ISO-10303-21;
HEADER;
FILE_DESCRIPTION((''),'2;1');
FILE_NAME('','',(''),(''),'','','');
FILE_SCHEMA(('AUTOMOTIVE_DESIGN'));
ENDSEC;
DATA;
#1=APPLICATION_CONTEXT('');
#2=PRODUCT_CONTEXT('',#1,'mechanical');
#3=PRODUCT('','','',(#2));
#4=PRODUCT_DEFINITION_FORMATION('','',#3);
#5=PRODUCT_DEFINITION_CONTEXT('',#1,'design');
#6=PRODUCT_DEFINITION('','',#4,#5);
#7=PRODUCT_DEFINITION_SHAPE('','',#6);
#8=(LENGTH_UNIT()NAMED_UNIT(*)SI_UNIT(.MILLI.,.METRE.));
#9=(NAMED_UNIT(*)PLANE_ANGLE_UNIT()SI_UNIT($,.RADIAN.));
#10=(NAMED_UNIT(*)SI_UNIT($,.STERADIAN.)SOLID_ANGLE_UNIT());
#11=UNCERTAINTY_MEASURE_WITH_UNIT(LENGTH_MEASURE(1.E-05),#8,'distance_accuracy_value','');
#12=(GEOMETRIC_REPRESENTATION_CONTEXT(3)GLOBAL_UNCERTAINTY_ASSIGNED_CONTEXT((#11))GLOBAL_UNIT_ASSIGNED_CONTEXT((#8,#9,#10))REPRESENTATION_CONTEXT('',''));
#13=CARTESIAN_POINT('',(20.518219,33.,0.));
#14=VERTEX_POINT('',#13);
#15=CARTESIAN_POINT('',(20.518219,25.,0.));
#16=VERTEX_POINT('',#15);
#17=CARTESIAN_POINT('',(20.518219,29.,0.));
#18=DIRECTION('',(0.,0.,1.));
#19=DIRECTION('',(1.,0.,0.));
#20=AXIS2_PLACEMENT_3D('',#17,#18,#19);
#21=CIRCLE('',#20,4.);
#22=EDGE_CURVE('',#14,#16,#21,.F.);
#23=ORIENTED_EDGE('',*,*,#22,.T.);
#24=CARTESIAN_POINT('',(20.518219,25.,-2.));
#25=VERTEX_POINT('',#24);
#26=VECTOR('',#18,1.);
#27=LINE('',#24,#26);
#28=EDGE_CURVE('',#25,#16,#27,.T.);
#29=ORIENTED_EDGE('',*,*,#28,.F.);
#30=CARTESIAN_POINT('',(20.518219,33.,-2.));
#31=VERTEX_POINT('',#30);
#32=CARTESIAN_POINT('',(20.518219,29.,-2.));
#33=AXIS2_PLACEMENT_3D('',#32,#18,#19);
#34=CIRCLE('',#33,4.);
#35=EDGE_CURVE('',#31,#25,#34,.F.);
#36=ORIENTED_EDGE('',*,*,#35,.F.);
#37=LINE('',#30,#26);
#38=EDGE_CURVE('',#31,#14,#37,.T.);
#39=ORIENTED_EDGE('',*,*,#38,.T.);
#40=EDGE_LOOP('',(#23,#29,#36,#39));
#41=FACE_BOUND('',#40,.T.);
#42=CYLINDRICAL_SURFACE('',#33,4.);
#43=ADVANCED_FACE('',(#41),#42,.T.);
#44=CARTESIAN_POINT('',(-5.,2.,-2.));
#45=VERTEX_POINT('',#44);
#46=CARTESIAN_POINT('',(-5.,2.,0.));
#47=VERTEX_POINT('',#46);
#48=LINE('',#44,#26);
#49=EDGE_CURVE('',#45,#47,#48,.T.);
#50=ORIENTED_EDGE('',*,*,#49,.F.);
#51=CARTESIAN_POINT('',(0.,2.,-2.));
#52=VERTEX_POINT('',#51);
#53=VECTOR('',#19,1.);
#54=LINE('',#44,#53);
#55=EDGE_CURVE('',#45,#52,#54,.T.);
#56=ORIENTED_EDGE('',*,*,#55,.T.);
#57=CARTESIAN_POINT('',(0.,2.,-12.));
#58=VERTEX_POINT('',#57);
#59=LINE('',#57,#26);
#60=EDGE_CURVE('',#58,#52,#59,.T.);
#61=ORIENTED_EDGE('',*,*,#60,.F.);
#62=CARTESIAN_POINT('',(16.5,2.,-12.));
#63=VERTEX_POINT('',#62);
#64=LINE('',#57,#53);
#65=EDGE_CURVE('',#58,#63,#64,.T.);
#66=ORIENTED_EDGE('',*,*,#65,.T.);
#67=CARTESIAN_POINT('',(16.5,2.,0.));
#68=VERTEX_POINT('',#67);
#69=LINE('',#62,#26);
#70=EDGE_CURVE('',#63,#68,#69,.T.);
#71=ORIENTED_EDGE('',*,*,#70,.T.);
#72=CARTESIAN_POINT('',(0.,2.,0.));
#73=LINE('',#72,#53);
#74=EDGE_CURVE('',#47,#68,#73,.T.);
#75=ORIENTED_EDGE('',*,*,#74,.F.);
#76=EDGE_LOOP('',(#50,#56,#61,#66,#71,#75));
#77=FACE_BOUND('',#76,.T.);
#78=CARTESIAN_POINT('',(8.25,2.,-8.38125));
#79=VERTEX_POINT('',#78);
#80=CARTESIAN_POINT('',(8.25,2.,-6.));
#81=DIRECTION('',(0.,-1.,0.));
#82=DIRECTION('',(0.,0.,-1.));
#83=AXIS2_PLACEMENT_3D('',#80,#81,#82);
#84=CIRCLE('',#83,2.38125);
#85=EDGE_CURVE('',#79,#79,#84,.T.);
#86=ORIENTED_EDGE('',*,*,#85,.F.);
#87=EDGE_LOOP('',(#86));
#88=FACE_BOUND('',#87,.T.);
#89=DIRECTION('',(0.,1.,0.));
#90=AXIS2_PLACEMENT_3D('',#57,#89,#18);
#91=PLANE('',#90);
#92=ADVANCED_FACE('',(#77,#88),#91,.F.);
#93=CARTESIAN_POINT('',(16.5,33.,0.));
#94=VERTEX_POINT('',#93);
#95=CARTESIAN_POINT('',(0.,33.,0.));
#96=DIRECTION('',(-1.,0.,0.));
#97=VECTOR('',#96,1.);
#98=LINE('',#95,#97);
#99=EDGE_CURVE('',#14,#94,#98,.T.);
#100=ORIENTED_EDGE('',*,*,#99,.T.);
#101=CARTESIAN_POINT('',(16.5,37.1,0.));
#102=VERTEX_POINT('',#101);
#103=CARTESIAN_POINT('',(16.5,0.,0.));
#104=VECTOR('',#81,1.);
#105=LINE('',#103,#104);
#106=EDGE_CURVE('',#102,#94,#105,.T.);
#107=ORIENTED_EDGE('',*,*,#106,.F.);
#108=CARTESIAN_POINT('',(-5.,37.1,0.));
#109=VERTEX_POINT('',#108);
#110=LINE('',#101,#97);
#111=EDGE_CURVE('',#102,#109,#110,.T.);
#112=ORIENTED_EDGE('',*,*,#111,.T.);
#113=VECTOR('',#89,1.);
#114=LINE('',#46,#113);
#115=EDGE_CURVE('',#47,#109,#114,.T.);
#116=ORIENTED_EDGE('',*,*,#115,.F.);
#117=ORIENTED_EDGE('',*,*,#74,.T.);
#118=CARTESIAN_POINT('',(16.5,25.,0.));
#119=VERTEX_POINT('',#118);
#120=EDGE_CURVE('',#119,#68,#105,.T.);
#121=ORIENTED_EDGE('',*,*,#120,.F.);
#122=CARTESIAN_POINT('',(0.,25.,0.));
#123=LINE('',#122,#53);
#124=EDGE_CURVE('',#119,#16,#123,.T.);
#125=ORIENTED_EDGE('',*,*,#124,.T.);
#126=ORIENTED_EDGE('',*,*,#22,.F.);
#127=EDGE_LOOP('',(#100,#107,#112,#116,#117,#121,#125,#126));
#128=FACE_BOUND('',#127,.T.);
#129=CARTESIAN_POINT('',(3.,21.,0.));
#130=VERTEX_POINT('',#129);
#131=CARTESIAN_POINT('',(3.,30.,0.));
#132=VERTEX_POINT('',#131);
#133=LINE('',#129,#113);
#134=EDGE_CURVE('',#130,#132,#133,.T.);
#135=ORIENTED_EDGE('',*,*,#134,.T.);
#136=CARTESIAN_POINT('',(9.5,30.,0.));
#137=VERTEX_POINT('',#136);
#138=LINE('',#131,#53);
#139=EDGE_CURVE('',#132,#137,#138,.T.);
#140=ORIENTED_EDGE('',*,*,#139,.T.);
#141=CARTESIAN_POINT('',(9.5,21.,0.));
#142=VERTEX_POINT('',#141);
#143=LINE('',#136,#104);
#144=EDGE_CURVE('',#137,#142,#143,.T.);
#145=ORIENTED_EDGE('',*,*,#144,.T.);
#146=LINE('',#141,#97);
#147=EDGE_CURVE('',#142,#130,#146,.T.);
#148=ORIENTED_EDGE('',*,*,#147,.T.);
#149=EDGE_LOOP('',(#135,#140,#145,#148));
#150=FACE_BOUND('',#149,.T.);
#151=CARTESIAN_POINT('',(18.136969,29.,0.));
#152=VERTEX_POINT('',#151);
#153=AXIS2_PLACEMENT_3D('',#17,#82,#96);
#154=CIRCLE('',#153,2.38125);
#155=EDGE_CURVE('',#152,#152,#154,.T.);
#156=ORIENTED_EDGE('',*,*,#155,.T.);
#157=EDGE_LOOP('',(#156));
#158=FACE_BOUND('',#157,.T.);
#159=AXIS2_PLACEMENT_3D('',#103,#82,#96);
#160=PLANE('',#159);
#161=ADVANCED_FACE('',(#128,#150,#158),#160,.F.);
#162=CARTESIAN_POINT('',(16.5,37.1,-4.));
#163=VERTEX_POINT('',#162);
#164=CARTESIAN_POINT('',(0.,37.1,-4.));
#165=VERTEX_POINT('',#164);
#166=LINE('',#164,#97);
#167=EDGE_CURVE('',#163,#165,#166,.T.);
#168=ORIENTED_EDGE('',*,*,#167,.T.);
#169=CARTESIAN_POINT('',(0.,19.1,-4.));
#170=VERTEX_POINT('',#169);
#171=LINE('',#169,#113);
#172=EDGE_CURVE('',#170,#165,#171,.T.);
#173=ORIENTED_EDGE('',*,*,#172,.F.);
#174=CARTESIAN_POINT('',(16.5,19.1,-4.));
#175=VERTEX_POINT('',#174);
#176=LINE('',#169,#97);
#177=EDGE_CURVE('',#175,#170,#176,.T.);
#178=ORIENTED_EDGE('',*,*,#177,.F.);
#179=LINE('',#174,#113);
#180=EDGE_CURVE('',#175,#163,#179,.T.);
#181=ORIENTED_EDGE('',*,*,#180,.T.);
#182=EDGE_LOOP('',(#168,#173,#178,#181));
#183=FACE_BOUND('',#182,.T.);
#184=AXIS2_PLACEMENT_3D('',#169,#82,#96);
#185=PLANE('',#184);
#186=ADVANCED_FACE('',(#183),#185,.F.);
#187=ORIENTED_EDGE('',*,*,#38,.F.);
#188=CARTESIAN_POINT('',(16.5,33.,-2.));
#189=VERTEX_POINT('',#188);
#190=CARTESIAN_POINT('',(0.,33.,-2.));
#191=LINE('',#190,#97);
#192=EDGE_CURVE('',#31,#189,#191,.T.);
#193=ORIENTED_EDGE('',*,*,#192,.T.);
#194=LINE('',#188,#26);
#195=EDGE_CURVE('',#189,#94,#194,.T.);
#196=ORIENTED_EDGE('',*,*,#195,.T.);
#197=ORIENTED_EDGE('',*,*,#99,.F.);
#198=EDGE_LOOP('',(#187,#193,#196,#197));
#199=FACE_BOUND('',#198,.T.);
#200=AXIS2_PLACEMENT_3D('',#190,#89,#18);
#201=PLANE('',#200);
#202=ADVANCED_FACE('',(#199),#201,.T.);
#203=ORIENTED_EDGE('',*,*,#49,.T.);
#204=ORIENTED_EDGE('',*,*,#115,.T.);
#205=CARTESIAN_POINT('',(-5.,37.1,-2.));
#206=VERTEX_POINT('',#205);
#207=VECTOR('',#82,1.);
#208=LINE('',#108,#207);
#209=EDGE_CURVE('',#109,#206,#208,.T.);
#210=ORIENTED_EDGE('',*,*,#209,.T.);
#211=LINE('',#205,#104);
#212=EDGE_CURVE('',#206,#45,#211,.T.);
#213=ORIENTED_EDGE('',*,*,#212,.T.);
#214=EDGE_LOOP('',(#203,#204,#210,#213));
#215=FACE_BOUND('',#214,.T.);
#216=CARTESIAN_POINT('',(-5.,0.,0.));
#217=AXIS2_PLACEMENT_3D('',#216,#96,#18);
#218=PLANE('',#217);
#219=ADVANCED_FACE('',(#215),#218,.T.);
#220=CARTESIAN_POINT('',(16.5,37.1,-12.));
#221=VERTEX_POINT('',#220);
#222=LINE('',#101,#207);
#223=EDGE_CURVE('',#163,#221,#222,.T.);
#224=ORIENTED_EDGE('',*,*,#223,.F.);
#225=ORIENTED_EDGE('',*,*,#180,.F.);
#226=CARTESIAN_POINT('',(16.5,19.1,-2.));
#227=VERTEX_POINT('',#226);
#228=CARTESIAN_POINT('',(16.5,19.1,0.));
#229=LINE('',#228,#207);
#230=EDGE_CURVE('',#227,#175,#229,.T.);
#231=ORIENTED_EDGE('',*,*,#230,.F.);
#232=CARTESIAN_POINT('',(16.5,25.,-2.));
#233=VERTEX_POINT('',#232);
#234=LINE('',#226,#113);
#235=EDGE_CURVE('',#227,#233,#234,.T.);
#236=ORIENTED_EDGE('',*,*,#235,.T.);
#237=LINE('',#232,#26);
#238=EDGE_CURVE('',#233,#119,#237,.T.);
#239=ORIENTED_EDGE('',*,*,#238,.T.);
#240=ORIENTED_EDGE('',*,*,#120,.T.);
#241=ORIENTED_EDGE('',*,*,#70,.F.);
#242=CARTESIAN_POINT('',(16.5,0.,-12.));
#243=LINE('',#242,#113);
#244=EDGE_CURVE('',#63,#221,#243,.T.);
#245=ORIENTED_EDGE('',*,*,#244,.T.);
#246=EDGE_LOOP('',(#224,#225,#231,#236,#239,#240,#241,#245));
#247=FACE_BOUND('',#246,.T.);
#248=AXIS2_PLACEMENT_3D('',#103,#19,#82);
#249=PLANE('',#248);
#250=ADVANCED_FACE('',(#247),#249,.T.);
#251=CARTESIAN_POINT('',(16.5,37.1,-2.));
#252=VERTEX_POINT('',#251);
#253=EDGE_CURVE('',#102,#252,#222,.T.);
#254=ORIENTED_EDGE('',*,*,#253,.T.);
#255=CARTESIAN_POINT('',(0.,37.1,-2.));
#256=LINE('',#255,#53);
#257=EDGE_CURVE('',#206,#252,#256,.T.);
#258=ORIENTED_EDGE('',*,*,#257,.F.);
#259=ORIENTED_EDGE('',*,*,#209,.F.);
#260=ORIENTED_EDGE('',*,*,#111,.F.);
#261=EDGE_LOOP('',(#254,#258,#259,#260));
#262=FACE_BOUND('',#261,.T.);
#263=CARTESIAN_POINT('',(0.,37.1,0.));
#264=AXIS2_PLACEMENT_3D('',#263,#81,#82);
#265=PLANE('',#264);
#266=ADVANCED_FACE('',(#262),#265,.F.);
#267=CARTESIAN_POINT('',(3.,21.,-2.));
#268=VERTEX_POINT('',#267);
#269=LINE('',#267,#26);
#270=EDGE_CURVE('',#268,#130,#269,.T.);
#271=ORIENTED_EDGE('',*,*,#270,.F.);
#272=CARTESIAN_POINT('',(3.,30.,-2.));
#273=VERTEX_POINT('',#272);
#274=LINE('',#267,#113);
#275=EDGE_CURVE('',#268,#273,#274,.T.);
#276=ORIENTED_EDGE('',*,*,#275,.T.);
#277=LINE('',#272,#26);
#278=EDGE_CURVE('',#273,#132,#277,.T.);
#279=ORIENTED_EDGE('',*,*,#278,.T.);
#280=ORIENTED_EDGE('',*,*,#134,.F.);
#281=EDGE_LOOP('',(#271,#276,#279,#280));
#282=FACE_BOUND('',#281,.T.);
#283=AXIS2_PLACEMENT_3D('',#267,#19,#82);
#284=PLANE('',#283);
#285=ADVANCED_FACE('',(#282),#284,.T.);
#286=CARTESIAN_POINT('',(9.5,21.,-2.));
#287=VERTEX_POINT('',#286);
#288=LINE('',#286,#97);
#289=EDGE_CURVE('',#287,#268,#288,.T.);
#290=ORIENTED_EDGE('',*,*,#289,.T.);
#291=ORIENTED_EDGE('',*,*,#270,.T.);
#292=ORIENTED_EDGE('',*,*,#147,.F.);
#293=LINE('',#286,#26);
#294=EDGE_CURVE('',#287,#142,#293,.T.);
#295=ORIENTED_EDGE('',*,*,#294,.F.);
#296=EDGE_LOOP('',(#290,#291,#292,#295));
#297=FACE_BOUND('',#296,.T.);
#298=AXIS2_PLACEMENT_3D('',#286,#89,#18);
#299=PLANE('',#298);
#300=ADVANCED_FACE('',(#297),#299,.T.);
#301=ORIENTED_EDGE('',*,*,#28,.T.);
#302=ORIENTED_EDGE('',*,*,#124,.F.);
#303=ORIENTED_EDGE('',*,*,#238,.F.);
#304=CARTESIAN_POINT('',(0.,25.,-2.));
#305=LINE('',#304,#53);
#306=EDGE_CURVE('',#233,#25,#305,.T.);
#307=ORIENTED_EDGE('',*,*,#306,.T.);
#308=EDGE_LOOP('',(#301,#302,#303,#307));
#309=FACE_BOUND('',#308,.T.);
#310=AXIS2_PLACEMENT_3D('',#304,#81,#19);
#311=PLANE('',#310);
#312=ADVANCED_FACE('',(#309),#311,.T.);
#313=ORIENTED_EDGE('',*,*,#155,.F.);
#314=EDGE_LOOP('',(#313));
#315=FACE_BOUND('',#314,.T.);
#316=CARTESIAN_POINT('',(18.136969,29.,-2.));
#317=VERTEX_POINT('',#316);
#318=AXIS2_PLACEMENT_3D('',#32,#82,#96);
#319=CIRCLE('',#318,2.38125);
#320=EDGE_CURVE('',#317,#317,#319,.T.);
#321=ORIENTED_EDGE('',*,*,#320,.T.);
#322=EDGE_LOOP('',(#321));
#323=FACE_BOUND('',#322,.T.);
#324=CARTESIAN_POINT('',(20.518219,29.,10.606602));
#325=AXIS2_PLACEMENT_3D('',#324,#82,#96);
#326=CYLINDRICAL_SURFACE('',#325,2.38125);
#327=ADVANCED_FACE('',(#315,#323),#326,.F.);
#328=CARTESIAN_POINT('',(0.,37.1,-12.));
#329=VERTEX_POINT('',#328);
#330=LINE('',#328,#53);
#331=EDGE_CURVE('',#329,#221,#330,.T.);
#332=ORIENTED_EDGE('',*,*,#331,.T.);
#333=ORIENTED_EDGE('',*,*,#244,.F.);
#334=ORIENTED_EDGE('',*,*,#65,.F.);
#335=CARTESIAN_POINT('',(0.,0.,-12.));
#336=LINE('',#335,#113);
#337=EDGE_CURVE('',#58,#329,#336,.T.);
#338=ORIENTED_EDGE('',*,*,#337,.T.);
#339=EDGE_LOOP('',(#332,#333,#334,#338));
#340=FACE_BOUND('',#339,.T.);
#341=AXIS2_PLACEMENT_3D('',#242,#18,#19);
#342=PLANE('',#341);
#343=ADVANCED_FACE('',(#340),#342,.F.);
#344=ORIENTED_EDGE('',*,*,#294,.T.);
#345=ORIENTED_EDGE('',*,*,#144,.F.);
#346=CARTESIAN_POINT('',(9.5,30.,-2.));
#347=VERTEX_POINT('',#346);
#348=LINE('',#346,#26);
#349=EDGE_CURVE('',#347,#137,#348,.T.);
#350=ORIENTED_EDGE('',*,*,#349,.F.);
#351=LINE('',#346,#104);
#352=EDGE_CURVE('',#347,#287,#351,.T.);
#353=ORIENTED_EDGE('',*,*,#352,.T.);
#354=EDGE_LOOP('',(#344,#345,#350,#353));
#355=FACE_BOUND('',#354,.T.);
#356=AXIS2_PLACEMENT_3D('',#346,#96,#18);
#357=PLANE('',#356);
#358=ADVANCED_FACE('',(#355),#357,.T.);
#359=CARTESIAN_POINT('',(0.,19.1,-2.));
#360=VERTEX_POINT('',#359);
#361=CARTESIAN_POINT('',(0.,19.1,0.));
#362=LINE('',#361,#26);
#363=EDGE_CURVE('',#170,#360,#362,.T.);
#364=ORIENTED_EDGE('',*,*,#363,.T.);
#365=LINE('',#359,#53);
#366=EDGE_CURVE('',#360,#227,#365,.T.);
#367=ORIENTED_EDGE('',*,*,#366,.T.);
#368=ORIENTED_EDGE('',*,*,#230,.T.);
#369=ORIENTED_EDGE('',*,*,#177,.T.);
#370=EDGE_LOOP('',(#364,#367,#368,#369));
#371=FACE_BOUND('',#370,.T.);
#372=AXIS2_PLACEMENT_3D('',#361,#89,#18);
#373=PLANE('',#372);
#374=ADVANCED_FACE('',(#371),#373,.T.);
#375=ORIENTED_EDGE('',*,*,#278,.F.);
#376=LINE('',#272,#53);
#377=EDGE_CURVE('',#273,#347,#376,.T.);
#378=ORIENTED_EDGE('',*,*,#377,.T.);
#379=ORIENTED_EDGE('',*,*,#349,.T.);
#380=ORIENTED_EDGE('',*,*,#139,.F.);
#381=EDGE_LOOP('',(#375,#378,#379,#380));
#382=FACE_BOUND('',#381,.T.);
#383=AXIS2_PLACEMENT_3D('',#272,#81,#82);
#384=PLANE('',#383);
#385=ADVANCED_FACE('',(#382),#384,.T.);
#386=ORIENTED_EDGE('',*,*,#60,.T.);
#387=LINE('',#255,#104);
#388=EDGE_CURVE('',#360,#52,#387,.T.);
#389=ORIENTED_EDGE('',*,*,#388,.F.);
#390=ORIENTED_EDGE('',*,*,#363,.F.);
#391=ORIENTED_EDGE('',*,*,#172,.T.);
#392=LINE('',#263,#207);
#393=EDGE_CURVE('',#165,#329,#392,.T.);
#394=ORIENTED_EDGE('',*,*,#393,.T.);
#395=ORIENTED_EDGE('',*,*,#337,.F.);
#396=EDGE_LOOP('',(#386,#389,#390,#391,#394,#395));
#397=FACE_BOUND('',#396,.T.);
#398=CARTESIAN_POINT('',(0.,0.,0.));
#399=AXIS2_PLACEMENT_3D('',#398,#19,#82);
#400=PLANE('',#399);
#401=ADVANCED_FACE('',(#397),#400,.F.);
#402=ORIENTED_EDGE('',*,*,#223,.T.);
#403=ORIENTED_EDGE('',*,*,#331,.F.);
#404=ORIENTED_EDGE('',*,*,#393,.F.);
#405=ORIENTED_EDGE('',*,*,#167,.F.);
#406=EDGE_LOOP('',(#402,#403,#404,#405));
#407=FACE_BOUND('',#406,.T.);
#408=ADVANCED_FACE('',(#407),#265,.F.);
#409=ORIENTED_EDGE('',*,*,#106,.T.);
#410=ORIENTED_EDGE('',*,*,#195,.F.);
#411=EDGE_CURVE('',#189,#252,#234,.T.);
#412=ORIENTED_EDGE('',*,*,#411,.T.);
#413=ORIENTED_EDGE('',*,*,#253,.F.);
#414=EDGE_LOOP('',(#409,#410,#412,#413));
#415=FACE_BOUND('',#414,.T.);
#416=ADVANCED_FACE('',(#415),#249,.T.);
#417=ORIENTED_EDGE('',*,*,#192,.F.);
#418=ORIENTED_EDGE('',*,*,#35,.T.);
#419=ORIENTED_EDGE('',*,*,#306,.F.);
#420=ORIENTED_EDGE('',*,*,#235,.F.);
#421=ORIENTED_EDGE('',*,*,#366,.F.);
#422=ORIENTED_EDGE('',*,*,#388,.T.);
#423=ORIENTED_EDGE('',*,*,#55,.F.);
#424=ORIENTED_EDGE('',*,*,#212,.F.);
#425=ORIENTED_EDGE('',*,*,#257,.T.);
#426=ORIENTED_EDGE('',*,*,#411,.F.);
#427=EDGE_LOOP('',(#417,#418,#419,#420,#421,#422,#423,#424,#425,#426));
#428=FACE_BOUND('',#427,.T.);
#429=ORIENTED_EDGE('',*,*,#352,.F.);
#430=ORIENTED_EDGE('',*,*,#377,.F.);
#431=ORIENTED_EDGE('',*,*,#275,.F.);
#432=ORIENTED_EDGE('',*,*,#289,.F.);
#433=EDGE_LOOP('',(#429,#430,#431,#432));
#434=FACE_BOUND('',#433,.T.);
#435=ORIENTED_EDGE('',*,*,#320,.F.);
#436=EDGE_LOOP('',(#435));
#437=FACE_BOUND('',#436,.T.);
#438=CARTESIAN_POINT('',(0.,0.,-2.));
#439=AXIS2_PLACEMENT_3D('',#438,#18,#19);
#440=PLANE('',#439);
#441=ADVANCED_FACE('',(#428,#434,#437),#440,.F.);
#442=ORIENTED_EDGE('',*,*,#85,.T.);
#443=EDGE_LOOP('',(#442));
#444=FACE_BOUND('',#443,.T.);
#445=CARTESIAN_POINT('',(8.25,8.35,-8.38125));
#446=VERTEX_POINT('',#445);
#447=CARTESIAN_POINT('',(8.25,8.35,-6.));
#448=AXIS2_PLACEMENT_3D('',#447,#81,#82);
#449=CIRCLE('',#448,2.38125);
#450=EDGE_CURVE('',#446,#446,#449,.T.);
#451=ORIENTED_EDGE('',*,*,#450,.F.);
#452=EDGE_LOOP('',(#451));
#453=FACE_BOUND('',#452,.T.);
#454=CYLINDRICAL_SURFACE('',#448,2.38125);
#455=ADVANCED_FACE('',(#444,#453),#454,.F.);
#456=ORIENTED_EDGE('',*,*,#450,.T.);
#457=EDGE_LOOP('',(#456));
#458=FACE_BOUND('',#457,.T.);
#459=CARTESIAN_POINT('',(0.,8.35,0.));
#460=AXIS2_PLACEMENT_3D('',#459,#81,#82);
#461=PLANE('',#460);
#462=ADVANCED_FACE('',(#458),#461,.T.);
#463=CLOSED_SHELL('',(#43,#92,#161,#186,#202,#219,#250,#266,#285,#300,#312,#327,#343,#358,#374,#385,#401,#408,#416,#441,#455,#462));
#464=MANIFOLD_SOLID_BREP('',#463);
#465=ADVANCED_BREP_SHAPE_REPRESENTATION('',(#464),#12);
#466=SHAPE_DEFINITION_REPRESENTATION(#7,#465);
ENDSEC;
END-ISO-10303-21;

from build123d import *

# Parameters (mm, degrees)
BOSS_EXTRUDE4_DEPTH = 16.5
CUT_EXTRUDE2_DEPTH  = 1.5
CUT_EXTRUDE4_DEPTH  = 17.5
SKETCH6_W           = 12
SKETCH6_H           = 2
CUT_EXTRUDE5_DEPTH  = 17.5
BOSS_EXTRUDE5_DEPTH = 2
SKETCH10_R          = 2.38125
CUT_EXTRUDE6_DEPTH  = 13.606601718
CUT_EXTRUDE7_DEPTH  = 17.5
SKETCH12_R          = 2.38125
CUT_EXTRUDE8_DEPTH  = 6.35
SKETCH13_W          = 6.5
SKETCH13_H          = 9
CUT_EXTRUDE11_DEPTH = 2
SKETCH15_W          = 16.5
SKETCH15_H          = 2
CUT_EXTRUDE13_DEPTH = 18
SKETCH16_W          = 2
SKETCH16_H          = 35.1
BOSS_EXTRUDE6_DEPTH = 5


with BuildPart() as part:
    # Sketch1 → Boss-Extrude4 (new body)
    with BuildSketch(Plane(origin=(0, 0, 0), x_dir=(0, 0, -1), z_dir=(1, 0, 0))):
        Polygon((0, 0), (0, 37.1), (-10.606601718, 47.706601718), (12, 47.706601718), (12, 0), align=None)
    extrude(amount=BOSS_EXTRUDE4_DEPTH)

    # Sketch4 → Cut-Extrude2 (cut)
    with BuildSketch(Plane.ZY):
        Polygon((0, 37.1), (0, 47.706601718), (10.606601718, 47.706601718), align=None)
    extrude(amount=-CUT_EXTRUDE2_DEPTH, mode=Mode.SUBTRACT)

    # Sketch5 → Cut-Extrude4 (cut, through all)
    with BuildSketch(Plane(origin=(16.5, 0, 0), x_dir=(0, 0, -1), z_dir=(1, 0, 0))):
        Polygon((-3.566952421, 40.666952421), (-2.859845639, 39.959845639), (-1.799185468, 41.020505811), (0, 39.221320344), (0, 42.756854249), (-2.683068944, 45.439923194), (-4.450835897, 43.672156241), (-3.036622335, 42.257942678), (-4.097282506, 41.197282506), align=None)
    extrude(amount=-CUT_EXTRUDE4_DEPTH, mode=Mode.SUBTRACT)

    # Sketch6 → Cut-Extrude5 (cut, through all)
    with BuildSketch(Plane(origin=(16.5, 0, 0), x_dir=(0, 0, -1), z_dir=(1, 0, 0))):
        with Locations((6, 1)):
            Rectangle(SKETCH6_W, SKETCH6_H)
    extrude(amount=-CUT_EXTRUDE5_DEPTH, mode=Mode.SUBTRACT)

    # Sketch9 → Boss-Extrude5 (add)
    with BuildSketch(Plane.XY):
        with BuildLine():
            Line((16.5, 29), (16.5, 25))
            Line((16.5, 25), (20.518219338, 25))
            ThreePointArc((20.518219338, 25), (24.518219338, 29), (20.518219338, 33))
            Line((20.518219338, 33), (16.5, 33))
            Line((16.5, 33), (16.5, 29))
        make_face()
    extrude(amount=-BOSS_EXTRUDE5_DEPTH)

    # Sketch10 → Cut-Extrude6 (cut, through all)
    with BuildSketch(Plane(origin=(0, 0, -2), x_dir=(-1, 0, 0), z_dir=(0, 0, -1))):
        with Locations((-20.518219338, 29)):
            Circle(SKETCH10_R)
    extrude(amount=-CUT_EXTRUDE6_DEPTH, mode=Mode.SUBTRACT)

    # Sketch11 → Cut-Extrude7 (cut, through all)
    with BuildSketch(Plane(origin=(16.5, 0, 0), x_dir=(0, 0, -1), z_dir=(1, 0, 0))):
        Polygon((0, 37.1), (-10.606601718, 47.706601718), (12, 47.706601718), (12, 37.1), align=None)
    extrude(amount=-CUT_EXTRUDE7_DEPTH, mode=Mode.SUBTRACT)

    # Sketch12 → Cut-Extrude8 (cut)
    with BuildSketch(Plane.XZ.offset(-2)):
        with Locations((8.25, -6)):
            Circle(SKETCH12_R)
    extrude(amount=-CUT_EXTRUDE8_DEPTH, mode=Mode.SUBTRACT)

    # Sketch13 → Cut-Extrude11 (cut)
    with BuildSketch(Plane.XY):
        with Locations((6.25, 25.5)):
            Rectangle(SKETCH13_W, SKETCH13_H)
    extrude(amount=-CUT_EXTRUDE11_DEPTH, mode=Mode.SUBTRACT)

    # Sketch15 → Cut-Extrude13 (cut)
    with BuildSketch(Plane(origin=(0, 37.1, 0), x_dir=(1, 0, 0), z_dir=(0, 1, 0))):
        with Locations((8.25, 3)):
            Rectangle(SKETCH15_W, SKETCH15_H)
    extrude(amount=-CUT_EXTRUDE13_DEPTH, mode=Mode.SUBTRACT)

    # Sketch16 → Boss-Extrude6 (add)
    with BuildSketch(Plane.ZY):
        with Locations((-1, 19.55)):
            Rectangle(SKETCH16_W, SKETCH16_H)
    extrude(amount=BOSS_EXTRUDE6_DEPTH)


solid = part.part
